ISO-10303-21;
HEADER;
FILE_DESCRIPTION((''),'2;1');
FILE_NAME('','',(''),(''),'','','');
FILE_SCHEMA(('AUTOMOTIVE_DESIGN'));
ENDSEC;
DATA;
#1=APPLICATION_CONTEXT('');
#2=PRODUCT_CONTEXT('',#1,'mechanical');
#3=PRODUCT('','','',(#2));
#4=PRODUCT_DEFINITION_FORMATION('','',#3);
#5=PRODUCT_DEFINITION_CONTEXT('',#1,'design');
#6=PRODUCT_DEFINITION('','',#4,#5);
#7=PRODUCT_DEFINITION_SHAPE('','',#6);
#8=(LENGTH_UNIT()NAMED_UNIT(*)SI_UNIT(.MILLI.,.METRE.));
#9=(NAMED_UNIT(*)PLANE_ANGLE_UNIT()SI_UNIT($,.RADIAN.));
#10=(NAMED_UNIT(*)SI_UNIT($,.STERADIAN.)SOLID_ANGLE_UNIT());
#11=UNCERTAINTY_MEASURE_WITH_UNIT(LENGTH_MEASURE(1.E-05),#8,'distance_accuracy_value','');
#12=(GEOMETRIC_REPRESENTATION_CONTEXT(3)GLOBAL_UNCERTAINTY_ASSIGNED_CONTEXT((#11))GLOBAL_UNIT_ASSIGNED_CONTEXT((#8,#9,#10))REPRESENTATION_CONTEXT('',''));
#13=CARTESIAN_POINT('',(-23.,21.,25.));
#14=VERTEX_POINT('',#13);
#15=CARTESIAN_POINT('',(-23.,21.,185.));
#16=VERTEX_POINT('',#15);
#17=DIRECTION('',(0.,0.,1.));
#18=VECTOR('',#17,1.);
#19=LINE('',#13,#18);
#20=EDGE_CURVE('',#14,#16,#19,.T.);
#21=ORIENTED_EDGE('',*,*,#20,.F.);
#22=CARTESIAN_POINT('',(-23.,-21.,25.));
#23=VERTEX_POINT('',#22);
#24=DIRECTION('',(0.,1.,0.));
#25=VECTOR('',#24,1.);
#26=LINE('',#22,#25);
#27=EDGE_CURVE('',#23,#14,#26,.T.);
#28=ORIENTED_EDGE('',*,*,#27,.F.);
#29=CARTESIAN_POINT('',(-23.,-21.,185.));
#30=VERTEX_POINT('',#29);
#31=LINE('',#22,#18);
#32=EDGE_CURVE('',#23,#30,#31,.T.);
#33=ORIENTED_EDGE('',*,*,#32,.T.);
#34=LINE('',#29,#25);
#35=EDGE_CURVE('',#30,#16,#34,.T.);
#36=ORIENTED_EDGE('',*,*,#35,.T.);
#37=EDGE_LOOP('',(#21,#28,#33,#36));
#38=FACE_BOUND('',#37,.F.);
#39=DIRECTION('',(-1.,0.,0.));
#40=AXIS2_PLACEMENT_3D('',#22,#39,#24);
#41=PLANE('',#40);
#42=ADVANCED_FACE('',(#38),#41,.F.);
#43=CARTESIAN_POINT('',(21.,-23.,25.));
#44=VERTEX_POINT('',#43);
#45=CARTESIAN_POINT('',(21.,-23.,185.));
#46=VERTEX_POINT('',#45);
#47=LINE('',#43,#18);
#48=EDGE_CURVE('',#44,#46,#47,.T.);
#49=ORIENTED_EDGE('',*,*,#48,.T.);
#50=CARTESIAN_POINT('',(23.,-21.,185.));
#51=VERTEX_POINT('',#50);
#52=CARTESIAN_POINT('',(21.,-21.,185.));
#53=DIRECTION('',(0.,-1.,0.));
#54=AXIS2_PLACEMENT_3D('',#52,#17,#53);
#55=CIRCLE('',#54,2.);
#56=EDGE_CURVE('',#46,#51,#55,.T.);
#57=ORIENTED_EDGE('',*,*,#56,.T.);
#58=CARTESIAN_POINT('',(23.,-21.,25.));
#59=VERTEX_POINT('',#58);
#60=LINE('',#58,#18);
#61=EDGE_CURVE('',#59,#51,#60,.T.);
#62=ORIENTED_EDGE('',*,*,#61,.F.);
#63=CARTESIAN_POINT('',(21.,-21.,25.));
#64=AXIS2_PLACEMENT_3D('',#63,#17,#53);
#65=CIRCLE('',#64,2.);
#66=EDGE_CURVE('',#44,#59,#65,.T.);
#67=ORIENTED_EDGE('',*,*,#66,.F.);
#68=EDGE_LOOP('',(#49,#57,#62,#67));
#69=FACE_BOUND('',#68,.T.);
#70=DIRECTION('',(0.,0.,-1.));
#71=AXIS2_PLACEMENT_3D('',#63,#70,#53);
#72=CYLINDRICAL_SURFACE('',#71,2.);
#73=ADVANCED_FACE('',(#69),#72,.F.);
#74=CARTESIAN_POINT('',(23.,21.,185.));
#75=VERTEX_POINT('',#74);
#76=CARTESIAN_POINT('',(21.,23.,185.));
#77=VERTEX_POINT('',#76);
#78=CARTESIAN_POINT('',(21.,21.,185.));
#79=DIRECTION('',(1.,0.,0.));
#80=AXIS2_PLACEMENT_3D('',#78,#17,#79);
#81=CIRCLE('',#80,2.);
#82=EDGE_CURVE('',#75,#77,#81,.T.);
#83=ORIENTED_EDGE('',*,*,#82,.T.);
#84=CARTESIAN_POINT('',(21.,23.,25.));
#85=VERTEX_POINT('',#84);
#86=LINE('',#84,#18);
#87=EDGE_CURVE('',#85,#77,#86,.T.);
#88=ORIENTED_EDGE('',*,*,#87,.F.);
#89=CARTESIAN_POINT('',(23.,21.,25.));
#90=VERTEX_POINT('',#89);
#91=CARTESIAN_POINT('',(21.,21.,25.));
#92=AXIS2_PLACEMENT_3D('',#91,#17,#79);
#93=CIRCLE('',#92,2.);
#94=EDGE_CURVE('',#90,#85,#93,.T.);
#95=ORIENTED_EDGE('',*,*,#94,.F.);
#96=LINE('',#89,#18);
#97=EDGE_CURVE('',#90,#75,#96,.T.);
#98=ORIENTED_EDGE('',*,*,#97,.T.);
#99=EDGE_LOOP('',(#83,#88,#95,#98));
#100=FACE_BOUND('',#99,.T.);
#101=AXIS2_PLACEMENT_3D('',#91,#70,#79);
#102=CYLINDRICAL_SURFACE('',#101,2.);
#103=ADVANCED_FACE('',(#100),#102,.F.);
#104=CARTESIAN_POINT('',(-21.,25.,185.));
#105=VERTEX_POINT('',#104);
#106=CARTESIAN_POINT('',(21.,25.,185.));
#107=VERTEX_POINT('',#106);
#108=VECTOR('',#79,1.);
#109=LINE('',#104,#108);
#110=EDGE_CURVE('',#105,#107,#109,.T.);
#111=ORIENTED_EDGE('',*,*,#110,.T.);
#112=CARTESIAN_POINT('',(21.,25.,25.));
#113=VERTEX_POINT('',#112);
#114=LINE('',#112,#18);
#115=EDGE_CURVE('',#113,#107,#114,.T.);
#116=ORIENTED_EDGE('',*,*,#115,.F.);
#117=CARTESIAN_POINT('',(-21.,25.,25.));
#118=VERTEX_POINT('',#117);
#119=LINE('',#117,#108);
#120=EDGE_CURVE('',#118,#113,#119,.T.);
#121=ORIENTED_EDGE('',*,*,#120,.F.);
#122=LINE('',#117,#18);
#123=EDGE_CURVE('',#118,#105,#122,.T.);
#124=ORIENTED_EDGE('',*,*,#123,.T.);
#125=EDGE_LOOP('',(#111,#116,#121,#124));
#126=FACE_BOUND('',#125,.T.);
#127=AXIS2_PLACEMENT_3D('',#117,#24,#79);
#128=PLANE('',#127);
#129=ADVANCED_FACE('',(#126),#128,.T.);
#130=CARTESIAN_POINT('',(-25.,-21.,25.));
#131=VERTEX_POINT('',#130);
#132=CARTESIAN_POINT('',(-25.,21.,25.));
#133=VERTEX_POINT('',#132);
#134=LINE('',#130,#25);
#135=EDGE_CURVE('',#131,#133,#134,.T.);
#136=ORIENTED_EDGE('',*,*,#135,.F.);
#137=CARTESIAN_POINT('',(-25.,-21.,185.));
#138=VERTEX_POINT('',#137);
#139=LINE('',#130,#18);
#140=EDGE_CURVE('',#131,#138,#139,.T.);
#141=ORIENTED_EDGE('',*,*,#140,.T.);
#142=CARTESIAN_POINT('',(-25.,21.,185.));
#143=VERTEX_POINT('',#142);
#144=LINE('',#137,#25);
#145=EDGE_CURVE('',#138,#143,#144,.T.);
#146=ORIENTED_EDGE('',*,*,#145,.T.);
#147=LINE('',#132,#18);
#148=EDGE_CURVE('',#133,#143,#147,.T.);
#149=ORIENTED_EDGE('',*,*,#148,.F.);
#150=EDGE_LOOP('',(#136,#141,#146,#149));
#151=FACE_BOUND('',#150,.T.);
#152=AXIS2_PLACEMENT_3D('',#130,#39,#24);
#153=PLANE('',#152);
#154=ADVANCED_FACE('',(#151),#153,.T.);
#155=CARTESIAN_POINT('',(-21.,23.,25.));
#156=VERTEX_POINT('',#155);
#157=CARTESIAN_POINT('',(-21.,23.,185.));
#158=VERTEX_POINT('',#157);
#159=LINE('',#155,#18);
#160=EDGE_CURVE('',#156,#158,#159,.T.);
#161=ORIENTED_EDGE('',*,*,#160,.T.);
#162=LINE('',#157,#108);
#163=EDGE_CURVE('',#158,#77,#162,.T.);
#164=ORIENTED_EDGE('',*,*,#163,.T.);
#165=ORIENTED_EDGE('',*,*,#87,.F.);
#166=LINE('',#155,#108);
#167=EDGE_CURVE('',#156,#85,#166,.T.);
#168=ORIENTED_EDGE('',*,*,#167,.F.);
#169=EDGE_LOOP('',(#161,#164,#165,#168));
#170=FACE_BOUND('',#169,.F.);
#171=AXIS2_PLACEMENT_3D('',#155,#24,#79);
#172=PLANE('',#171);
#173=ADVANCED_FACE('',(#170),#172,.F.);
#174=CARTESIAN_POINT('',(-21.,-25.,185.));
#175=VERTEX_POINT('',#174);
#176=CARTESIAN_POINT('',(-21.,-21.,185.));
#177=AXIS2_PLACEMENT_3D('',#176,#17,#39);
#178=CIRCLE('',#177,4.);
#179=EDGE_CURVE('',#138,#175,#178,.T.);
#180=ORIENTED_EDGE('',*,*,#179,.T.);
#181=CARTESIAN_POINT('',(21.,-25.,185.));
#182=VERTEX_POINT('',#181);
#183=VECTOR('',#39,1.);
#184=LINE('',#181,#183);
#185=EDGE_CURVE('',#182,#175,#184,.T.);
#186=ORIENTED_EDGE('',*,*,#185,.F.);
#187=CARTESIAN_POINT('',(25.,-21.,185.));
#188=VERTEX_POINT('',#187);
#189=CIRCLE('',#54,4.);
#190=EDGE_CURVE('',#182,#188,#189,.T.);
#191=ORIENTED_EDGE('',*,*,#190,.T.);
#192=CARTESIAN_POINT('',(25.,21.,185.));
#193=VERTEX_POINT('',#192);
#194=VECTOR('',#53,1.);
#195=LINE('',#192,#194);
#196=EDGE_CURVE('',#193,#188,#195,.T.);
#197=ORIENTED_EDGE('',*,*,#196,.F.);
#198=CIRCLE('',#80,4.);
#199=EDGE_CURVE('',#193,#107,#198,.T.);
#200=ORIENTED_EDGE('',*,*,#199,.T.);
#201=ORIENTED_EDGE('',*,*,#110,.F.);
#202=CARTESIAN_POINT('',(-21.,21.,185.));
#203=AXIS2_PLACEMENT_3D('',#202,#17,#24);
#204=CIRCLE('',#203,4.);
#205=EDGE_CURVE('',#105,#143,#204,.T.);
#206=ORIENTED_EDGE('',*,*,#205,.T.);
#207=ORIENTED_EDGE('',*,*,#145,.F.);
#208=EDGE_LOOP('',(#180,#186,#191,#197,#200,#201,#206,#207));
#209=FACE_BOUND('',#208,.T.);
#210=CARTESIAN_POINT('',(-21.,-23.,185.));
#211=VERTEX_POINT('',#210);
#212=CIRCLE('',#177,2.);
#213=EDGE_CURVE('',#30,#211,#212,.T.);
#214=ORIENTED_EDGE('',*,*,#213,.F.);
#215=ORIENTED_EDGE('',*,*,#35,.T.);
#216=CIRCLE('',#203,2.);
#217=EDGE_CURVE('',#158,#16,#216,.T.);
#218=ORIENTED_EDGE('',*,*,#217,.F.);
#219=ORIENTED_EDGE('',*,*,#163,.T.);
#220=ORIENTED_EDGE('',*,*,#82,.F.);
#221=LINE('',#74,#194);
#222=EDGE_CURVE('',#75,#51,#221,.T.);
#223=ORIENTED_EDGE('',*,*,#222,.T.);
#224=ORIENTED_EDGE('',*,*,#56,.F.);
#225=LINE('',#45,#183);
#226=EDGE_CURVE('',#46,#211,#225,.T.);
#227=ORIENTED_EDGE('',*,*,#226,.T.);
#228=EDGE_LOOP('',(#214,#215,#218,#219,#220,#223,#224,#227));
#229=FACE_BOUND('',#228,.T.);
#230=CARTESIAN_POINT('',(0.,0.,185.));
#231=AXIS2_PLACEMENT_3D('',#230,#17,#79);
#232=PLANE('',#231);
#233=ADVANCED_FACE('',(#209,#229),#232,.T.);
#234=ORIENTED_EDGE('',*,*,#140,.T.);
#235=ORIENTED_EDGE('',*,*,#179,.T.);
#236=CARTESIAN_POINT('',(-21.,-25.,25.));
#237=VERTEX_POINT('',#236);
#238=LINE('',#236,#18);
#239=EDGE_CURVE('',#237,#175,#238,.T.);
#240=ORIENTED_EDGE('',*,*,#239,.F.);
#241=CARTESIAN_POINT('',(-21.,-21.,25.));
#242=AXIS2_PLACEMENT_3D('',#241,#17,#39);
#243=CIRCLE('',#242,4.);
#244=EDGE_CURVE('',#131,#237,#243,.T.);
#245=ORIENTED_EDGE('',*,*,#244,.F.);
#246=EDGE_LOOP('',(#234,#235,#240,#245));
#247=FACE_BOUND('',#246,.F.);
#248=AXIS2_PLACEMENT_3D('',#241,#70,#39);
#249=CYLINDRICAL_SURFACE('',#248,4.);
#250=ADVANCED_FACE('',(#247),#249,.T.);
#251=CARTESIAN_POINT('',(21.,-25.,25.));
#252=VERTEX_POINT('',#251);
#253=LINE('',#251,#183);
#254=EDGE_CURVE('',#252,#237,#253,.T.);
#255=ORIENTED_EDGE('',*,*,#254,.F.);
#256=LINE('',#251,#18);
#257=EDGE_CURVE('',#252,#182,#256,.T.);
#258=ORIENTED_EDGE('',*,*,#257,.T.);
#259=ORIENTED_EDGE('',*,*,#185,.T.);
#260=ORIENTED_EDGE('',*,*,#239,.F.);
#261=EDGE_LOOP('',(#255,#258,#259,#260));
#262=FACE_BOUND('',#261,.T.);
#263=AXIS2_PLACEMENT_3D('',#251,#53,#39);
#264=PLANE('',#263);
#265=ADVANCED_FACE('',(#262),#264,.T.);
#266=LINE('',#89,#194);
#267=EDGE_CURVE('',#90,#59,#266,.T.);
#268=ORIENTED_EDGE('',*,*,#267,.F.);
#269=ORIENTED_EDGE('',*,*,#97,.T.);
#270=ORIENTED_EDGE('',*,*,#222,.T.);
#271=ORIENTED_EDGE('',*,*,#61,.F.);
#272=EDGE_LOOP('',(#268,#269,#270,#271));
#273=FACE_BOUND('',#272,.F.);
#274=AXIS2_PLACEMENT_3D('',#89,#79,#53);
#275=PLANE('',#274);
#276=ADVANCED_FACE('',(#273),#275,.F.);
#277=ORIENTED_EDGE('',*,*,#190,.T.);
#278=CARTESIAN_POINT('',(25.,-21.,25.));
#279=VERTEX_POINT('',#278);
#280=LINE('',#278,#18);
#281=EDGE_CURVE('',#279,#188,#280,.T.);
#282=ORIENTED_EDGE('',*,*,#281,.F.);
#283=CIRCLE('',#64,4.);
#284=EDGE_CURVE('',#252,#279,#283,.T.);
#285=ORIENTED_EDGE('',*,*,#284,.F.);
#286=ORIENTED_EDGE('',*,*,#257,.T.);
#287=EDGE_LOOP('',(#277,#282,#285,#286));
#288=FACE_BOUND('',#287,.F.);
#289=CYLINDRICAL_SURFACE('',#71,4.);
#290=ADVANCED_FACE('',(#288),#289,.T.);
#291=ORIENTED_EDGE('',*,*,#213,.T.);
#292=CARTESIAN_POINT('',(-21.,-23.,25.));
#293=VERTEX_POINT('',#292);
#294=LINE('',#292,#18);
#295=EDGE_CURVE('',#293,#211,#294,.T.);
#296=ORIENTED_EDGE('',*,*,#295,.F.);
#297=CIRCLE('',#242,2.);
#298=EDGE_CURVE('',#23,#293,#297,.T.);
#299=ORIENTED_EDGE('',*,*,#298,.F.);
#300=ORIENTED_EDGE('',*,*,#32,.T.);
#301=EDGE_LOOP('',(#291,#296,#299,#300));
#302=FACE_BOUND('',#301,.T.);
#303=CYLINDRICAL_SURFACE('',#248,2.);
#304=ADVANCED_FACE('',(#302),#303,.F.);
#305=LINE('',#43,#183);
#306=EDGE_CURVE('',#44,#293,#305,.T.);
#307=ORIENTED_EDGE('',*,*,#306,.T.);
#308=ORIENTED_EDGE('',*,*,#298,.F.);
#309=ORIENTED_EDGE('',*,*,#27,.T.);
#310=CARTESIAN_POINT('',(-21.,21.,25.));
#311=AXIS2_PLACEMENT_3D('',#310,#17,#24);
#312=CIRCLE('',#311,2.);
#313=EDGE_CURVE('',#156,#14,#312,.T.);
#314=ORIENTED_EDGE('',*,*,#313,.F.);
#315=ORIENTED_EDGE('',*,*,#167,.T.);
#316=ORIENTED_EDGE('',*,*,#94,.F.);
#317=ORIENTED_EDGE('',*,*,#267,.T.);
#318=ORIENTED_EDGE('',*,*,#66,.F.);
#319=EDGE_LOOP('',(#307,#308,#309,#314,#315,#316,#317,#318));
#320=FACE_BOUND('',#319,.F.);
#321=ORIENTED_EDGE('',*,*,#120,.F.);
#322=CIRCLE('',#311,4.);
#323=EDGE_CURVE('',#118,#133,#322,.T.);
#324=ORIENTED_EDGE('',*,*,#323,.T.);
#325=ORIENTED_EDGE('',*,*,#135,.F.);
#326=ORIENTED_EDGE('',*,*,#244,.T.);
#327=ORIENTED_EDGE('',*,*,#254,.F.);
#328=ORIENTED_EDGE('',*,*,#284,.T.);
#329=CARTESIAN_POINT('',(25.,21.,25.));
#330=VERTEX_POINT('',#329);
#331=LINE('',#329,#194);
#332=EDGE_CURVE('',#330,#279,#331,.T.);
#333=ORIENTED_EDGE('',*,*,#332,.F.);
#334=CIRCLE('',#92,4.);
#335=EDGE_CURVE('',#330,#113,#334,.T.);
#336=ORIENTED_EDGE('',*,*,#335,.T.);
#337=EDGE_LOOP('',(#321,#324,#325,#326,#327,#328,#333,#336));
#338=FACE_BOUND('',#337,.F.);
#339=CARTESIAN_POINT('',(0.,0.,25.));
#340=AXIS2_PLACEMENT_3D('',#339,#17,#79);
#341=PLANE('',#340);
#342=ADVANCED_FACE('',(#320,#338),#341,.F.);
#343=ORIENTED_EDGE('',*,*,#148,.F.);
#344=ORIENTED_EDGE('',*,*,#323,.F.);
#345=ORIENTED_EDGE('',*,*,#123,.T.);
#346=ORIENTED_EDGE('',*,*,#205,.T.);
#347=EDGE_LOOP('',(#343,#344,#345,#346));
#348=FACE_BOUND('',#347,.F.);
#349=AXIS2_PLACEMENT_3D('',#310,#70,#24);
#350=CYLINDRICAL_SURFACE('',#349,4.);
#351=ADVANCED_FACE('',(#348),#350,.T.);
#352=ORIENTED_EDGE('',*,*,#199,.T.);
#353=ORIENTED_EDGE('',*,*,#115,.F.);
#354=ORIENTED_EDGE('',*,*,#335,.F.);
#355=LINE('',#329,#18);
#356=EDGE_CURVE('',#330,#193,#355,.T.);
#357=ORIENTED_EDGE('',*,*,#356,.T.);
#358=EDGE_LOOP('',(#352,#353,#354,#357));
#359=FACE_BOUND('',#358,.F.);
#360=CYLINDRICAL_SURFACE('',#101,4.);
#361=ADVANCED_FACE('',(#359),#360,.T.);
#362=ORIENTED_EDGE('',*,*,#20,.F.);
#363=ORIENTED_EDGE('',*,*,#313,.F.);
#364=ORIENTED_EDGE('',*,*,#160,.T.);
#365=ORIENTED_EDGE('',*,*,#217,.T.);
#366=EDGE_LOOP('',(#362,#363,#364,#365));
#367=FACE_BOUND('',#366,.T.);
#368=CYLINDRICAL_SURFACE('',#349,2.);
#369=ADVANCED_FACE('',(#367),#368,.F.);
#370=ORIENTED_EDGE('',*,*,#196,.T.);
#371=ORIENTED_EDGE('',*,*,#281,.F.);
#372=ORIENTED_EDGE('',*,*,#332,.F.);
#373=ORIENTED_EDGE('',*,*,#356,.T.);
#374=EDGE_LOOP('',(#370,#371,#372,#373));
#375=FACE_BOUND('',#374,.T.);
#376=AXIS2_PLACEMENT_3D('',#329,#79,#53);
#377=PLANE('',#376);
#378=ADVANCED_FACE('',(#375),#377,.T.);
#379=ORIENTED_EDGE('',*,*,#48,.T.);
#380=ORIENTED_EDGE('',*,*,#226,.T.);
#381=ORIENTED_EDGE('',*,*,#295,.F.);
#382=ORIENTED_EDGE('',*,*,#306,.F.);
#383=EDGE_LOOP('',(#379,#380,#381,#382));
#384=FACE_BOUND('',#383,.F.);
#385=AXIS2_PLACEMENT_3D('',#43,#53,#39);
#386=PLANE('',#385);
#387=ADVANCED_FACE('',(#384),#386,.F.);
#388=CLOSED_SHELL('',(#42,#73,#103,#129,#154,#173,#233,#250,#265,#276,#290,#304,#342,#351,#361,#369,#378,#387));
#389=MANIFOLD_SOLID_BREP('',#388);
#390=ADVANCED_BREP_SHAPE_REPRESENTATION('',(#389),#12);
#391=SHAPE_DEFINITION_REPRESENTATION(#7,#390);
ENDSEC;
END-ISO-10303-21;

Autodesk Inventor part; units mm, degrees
ref_plane "Start Plane" through (0, 0, 25) normal (0, 0, 1) x (1, 0, 0)
ref_plane "End Plane" through (0, 0, 185) normal (0, 0, 1) x (1, 0, 0)
sketch "Sketch" plane through (0, 0, 0) normal (0, 0, 1) x (1, 0, 0)
  line L0 (-25, -21) -> (-25, 21)
  line L1 (-21, 25) -> (21, 25)
  line L2 (25, 21) -> (25, -21)
  line L3 (21, -25) -> (-21, -25)
  arc A0 (-25, -21) -> (-21, -25) centre (-21, -21) ccw
  arc A1 (25, 21) -> (21, 25) centre (21, 21) ccw
  arc A2 (-21, 25) -> (-25, 21) centre (-21, 21) ccw
  arc A3 (21, -25) -> (25, -21) centre (21, -21) ccw
  arc A4 (-21, 23) -> (-23, 21) centre (-21, 21) ccw
  line L4 (-21, 23) -> (21, 23)
  arc A5 (23, 21) -> (21, 23) centre (21, 21) ccw
  line L5 (23, 21) -> (23, -21)
  arc A6 (21, -23) -> (23, -21) centre (21, -21) ccw
  line L6 (21, -23) -> (-21, -23)
  arc A7 (-23, -21) -> (-21, -23) centre (-21, -21) ccw
  line L7 (-23, -21) -> (-23, 21)
  line L8 (0, 36.1598) -> (0, -36.1598) construction
  line L9 (-36.1598, 0) -> (36.1598, 0) construction
  dimension "d7" = 4
  dimension "d9" = 50
  dimension "d11" = 50
  dimension "d12" = 2
  dimension "d15" = 25
  dimension "d16" = 25
extrude "Body" add sketch "Sketch" along normal up to surface (160 mm away) from surface at 25
sketch "Sketch3" plane through (0, 0, 0) normal (0, 0, 1) x (1, 0, 0)
  line L0 (0, 0) -> (10, 0)
ref_plane "Work Plane3" through (0, 0, 0) normal (0, -1, 0) x (1, 0, 0)
sketch "Sketch4" plane through (0, 0, 0) normal (0, -1, 0) x (1, 0, 0)
  line L0 (-2, 25) -> (12, 25)
  line L1 (-2, 185) -> (12, 185)
  dimension "d18" = 160
ref_plane "Work Plane4" through (1045, -21, 185) normal (0, 0, 1) x (1, 0, 0)
split "Split1" plane through (1045, -21, 185) removes the side toward (0, 0, 1)
ref_plane "Work Plane5" through (-1270, -21, 25) normal (0, 0, -1) x (-1, 0, 0)
split "Split2" plane through (-1270, -21, 25) removes the side toward (0, 0, -1)
equation "\"d7\" = G_IR"
equation "\"d9\" = G_W"
equation "\"d11\" = G_H"
equation "\"d12\" = G_T"
equation "\"d15\" = 0.5 * d9"
equation "\"d16\" = 0.5 * d11"
equation "\"d3\" = G_L"
equation "\"G_W\" = 50"
equation "\"G_H\" = 50"
equation "\"G_T\" = 2"
equation "\"G_IR\" = 4"
equation "\"G_L\" = d18"
equation "\"G_OFFSET_START\" = -25"
equation "\"G_OFFSET_END\" = -25"
equation "\"d13\" = -G_OFFSET_START"
equation "\"d14\" = G_OFFSET_END + B_L"
equation "\"B_L\" = 210"
properties part number "ISO 10799-2 - 50x50x2 - 160" material "Steel, Galvanized"
